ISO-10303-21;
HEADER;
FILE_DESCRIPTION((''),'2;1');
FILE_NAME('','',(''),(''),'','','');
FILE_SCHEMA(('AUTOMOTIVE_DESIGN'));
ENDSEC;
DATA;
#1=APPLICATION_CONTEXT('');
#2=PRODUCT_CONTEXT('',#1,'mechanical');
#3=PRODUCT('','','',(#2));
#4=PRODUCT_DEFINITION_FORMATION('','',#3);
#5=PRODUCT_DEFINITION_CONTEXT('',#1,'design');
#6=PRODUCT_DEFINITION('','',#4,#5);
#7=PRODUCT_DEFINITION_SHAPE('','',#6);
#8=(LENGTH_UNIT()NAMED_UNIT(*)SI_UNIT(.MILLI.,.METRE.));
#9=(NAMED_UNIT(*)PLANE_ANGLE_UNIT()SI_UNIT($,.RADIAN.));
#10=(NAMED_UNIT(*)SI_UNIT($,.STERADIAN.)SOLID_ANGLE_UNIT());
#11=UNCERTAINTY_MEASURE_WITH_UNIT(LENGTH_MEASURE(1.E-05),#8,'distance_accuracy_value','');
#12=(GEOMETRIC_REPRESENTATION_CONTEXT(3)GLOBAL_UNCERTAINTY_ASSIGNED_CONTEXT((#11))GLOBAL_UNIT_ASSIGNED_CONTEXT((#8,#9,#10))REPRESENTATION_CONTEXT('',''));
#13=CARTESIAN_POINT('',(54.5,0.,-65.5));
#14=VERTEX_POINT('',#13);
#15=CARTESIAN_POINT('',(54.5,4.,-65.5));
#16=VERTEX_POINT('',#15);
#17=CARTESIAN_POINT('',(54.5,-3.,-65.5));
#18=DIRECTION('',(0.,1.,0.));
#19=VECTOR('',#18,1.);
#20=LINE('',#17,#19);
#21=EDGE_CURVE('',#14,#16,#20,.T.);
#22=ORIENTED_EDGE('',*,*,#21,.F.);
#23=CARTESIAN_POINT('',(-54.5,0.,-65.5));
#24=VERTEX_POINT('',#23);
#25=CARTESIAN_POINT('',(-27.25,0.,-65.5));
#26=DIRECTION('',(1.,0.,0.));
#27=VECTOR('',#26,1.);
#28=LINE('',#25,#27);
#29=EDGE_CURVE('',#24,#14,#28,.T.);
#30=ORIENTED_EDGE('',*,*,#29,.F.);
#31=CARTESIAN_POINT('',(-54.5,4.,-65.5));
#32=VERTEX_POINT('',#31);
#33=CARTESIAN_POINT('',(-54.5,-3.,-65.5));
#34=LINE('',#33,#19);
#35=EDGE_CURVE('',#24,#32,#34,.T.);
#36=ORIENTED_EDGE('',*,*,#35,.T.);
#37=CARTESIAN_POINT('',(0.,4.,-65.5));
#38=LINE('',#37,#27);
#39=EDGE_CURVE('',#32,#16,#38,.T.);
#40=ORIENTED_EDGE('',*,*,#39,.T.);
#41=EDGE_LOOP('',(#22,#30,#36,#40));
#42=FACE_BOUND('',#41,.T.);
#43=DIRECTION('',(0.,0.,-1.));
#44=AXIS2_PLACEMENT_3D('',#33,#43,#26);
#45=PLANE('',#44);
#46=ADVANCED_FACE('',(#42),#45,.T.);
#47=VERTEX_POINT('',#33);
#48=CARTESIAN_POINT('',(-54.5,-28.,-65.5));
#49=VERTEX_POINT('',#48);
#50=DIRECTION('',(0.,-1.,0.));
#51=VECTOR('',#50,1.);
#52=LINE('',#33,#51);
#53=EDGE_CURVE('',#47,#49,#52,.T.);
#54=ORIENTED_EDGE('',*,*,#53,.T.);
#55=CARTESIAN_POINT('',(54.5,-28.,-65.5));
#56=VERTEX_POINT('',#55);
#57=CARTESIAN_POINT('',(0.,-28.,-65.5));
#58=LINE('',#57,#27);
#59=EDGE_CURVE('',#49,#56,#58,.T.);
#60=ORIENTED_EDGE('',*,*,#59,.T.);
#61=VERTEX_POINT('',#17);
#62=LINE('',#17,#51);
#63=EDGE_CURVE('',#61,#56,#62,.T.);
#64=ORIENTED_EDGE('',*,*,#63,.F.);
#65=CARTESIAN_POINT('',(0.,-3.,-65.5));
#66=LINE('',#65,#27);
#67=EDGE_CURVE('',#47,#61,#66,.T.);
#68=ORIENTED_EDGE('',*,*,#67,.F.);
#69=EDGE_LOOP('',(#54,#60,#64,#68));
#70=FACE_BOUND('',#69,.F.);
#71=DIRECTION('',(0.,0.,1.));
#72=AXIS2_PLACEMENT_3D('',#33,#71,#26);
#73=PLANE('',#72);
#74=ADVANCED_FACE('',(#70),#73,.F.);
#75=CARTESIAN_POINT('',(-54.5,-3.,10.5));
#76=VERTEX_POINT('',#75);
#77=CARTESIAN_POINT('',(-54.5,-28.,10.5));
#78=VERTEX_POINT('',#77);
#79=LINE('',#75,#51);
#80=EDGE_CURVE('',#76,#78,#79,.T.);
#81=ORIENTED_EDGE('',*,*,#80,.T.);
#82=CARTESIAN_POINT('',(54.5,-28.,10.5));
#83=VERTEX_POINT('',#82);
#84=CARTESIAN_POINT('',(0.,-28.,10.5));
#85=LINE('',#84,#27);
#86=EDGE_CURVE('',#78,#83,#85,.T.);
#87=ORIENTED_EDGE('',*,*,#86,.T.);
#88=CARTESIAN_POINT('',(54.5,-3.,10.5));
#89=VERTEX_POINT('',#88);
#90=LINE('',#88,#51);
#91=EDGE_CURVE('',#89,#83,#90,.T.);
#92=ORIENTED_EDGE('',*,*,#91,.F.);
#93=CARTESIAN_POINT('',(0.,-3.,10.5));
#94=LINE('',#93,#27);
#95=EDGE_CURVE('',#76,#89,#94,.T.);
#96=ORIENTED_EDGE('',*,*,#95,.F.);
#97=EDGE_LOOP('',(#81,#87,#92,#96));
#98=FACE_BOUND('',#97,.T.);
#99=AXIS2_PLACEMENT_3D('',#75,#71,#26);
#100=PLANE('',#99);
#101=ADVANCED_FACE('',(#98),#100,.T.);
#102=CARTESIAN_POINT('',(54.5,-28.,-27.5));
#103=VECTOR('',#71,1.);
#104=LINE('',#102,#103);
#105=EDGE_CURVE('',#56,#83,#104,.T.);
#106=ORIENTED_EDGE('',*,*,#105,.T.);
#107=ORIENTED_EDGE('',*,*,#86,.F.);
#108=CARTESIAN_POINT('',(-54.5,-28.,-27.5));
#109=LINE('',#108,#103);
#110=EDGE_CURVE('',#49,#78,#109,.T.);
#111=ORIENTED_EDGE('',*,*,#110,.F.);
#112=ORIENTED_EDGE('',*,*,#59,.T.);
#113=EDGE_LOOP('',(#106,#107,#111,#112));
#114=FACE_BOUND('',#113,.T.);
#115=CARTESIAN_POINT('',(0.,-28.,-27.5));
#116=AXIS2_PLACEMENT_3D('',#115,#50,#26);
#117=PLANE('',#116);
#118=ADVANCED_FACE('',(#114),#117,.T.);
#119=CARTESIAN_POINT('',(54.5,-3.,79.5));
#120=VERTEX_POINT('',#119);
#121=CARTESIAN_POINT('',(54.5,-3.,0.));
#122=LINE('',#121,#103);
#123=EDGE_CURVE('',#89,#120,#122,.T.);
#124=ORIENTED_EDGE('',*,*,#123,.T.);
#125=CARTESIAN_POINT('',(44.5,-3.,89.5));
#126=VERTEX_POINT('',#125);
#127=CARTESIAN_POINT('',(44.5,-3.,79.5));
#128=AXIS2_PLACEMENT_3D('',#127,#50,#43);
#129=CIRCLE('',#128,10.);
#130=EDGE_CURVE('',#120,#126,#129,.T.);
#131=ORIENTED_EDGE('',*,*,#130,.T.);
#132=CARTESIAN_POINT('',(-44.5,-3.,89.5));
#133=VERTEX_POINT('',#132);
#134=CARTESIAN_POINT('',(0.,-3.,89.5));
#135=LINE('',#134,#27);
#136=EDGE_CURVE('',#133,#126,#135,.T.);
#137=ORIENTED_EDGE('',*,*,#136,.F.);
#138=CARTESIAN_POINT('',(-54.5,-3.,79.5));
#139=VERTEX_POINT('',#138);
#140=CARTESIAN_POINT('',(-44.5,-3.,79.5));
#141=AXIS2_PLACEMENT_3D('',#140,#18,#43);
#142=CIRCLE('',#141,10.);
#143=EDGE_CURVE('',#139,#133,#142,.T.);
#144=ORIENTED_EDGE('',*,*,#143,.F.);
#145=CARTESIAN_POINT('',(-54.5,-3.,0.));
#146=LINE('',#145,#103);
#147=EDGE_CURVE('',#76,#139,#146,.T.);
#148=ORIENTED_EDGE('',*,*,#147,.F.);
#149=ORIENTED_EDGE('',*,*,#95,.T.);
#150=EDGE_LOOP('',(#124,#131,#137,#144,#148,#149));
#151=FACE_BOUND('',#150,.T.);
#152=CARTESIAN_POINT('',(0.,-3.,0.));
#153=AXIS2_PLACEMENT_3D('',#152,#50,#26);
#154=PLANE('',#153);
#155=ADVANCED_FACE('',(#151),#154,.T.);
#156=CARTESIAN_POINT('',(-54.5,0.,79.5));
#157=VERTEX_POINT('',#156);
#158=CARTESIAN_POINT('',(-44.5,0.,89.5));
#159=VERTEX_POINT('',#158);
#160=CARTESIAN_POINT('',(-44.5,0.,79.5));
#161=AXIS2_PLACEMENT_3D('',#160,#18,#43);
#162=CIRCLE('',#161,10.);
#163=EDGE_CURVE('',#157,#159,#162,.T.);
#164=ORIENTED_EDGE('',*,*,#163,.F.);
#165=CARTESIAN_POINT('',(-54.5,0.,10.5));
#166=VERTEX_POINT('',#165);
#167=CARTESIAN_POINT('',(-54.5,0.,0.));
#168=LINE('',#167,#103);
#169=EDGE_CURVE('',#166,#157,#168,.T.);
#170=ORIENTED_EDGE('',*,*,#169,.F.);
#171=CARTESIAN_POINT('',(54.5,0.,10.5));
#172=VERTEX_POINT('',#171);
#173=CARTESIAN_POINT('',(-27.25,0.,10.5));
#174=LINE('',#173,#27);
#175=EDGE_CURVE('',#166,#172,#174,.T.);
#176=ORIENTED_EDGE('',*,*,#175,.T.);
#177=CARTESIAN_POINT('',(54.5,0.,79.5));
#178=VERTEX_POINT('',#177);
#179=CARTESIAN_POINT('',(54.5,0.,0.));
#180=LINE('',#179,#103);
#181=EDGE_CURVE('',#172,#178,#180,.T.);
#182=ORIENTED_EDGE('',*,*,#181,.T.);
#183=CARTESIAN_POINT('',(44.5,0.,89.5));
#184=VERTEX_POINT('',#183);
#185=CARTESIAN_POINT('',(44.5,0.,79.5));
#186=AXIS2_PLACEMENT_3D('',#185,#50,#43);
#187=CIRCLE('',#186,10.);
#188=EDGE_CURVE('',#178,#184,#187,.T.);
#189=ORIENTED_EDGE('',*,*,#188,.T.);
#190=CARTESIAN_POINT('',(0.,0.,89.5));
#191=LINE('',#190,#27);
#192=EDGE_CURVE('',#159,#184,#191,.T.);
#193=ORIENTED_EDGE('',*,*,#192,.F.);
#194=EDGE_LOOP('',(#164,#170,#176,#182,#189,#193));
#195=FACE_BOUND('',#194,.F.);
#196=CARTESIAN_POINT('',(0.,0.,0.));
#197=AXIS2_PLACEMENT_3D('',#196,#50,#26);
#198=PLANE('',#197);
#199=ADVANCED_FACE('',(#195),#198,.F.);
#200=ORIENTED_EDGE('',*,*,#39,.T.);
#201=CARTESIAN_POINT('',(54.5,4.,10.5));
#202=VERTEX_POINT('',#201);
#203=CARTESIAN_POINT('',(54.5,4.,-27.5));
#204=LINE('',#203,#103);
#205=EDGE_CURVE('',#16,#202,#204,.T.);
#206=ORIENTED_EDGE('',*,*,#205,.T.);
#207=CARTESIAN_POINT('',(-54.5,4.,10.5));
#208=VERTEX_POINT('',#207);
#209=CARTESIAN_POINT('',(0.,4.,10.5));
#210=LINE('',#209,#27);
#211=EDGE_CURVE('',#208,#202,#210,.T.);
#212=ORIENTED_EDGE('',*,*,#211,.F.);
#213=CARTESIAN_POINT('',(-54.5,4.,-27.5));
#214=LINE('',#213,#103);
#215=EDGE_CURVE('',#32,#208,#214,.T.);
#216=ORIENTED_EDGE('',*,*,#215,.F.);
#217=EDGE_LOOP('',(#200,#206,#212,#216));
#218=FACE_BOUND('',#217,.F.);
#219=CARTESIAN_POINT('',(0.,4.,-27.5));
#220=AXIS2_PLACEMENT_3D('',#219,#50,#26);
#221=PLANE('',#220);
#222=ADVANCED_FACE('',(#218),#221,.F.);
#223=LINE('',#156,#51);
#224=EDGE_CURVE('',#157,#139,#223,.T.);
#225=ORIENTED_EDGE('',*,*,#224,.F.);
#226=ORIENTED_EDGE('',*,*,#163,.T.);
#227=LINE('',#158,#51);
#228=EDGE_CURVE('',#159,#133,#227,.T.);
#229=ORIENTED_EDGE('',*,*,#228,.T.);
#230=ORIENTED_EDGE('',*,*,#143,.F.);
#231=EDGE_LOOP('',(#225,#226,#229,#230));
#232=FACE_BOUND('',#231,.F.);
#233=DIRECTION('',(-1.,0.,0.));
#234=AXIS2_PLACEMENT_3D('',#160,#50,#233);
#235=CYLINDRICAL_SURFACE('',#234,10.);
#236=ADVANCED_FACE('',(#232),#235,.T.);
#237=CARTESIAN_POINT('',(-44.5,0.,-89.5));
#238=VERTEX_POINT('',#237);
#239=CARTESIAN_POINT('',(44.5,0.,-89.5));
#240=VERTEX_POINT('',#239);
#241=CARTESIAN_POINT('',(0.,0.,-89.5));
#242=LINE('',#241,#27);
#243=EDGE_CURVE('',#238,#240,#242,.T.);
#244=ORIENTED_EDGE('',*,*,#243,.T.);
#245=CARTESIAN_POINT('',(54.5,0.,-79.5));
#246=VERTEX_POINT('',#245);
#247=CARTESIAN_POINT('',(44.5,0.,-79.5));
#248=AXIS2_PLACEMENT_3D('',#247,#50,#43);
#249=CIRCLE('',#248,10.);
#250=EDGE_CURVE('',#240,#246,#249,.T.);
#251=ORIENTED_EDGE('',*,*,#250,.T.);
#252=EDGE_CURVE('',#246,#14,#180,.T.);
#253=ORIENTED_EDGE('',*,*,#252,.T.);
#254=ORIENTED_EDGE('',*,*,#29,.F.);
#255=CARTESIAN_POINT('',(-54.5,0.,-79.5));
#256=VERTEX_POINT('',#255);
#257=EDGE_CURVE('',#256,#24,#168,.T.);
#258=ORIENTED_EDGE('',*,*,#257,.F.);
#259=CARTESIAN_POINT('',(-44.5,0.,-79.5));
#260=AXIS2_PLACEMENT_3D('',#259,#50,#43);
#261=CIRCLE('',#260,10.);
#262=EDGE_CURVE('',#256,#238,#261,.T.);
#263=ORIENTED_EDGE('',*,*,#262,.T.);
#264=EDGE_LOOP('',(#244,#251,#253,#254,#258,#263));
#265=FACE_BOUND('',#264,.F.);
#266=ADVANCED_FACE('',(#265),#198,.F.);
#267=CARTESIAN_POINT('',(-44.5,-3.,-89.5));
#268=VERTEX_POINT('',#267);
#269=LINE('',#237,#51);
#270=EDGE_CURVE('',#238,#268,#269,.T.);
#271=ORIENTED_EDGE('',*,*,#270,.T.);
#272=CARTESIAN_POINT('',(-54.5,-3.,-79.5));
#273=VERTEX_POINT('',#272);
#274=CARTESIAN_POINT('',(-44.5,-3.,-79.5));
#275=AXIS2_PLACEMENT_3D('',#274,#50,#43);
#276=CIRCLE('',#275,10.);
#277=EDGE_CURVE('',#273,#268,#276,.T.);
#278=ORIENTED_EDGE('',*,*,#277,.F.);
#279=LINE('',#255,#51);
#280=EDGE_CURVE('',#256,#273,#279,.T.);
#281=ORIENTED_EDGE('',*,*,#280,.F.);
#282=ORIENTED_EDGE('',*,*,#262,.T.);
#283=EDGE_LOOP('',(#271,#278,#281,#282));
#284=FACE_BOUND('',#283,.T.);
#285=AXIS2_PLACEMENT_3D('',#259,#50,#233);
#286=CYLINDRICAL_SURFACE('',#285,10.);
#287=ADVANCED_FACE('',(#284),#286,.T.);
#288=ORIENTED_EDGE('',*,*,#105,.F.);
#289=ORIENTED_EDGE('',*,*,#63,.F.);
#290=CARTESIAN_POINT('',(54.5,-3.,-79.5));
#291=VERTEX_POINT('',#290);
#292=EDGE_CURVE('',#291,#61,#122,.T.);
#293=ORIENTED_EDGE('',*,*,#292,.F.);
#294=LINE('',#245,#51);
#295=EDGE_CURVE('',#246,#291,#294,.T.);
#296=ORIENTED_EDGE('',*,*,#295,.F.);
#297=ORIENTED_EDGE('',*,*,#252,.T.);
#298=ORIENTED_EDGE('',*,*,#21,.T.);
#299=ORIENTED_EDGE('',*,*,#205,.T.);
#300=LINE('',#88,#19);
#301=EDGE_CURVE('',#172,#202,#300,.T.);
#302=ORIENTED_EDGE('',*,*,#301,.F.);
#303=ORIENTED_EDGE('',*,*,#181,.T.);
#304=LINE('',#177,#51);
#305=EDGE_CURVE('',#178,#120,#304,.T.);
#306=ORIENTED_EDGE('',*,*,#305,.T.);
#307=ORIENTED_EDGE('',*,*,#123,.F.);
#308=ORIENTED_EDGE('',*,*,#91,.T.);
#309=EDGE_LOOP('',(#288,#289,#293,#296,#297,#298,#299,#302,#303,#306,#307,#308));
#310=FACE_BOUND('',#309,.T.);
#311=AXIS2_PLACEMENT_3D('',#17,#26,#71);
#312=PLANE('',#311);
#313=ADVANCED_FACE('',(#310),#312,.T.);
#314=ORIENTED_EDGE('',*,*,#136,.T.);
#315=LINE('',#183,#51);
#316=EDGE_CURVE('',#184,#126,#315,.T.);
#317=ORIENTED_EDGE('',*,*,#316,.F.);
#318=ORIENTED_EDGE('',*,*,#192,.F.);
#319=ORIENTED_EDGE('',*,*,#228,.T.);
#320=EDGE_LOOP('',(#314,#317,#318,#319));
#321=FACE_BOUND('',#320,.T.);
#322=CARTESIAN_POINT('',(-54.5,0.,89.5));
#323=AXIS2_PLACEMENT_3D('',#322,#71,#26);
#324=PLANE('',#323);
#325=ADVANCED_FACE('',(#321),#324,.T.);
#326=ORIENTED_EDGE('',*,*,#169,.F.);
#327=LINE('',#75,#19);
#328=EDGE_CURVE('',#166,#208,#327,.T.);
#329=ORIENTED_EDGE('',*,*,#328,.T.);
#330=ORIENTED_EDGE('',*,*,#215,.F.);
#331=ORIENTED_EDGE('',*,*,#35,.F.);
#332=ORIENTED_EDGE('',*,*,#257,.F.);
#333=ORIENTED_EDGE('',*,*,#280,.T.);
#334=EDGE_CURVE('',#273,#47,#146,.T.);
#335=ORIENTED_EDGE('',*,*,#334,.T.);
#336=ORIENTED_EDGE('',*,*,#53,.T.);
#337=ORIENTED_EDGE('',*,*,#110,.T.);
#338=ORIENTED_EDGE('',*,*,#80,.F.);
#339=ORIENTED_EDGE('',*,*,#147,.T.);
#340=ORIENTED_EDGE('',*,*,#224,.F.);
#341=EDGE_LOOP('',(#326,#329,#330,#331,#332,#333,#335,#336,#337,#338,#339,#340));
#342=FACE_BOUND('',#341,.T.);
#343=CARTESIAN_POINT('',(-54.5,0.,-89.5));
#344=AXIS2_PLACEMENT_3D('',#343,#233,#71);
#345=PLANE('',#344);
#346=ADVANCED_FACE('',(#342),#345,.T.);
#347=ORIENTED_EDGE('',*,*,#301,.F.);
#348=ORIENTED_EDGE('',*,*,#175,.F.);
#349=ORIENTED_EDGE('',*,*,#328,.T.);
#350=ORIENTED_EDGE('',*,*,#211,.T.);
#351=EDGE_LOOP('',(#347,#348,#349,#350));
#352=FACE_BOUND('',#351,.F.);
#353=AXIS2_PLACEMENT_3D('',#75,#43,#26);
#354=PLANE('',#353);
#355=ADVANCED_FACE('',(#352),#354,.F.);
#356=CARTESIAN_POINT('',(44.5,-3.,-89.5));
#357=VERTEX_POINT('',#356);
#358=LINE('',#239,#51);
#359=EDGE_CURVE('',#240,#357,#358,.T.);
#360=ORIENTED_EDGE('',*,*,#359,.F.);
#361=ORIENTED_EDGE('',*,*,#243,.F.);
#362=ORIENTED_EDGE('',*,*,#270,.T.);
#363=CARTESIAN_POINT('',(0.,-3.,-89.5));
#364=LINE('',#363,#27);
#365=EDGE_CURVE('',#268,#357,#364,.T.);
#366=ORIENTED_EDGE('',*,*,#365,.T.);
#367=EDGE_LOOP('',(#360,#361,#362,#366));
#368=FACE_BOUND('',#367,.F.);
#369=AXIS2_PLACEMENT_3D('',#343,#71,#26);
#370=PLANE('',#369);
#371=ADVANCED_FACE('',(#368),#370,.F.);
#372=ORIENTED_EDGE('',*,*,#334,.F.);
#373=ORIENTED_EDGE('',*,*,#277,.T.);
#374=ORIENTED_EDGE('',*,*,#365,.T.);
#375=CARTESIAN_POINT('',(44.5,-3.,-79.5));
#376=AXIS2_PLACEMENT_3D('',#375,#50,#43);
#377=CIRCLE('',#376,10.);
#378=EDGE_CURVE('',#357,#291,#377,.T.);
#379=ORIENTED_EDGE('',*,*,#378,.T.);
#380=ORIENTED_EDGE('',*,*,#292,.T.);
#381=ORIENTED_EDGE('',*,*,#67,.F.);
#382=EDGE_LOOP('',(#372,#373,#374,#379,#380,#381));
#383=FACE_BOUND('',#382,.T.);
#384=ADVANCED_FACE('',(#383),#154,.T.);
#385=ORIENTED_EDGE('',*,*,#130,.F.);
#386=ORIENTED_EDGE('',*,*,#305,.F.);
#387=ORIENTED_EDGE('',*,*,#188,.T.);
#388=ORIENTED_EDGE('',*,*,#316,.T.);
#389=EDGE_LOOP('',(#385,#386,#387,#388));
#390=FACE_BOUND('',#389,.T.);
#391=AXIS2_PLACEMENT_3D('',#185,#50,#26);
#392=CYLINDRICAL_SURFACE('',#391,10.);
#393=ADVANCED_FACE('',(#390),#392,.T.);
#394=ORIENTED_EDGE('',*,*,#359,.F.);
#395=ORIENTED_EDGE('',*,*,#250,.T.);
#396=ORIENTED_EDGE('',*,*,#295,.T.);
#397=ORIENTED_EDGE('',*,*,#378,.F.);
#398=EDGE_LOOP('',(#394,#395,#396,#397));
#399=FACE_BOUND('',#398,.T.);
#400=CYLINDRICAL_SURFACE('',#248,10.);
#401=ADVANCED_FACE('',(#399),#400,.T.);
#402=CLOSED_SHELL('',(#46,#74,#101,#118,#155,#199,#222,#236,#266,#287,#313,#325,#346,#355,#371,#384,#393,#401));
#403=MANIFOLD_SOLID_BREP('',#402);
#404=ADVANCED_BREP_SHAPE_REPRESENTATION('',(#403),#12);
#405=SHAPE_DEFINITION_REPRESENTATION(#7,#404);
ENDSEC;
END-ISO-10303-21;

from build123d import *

# Parameters (mm, degrees)
F0_W          = 109
F0_H          = 179
F1_DEPTH      = 3
F2_R          = 10
F3_W          = 109
F3_H          = 76
F4_DEPTH      = 25
F4_DEPTH_BACK = 7


with BuildPart() as f1:
    # F0 (on Front) → F1 (new body)
    with BuildSketch(Plane.XZ):
        Rectangle(F0_W, F0_H)
    extrude(amount=F1_DEPTH)

    # F2
    f2_edges = [f1.edges().sort_by_distance(p)[0] for p in [
        (54.5, -1.5, 89.5),
        (-54.5, -1.5, 89.5),
        (54.5, -1.5, -89.5),
        (-54.5, -1.5, -89.5),
    ]]
    fillet(f2_edges, radius=F2_R)

    # F3 (on face) → F4 (join, two sides)
    with BuildSketch(Plane.XZ.offset(3)) as f4_sk:
        with Locations((0, -27.5)):
            Rectangle(F3_W, F3_H)
    extrude(amount=F4_DEPTH)
    extrude(f4_sk.sketch, amount=-F4_DEPTH_BACK)


solid = f1.part
